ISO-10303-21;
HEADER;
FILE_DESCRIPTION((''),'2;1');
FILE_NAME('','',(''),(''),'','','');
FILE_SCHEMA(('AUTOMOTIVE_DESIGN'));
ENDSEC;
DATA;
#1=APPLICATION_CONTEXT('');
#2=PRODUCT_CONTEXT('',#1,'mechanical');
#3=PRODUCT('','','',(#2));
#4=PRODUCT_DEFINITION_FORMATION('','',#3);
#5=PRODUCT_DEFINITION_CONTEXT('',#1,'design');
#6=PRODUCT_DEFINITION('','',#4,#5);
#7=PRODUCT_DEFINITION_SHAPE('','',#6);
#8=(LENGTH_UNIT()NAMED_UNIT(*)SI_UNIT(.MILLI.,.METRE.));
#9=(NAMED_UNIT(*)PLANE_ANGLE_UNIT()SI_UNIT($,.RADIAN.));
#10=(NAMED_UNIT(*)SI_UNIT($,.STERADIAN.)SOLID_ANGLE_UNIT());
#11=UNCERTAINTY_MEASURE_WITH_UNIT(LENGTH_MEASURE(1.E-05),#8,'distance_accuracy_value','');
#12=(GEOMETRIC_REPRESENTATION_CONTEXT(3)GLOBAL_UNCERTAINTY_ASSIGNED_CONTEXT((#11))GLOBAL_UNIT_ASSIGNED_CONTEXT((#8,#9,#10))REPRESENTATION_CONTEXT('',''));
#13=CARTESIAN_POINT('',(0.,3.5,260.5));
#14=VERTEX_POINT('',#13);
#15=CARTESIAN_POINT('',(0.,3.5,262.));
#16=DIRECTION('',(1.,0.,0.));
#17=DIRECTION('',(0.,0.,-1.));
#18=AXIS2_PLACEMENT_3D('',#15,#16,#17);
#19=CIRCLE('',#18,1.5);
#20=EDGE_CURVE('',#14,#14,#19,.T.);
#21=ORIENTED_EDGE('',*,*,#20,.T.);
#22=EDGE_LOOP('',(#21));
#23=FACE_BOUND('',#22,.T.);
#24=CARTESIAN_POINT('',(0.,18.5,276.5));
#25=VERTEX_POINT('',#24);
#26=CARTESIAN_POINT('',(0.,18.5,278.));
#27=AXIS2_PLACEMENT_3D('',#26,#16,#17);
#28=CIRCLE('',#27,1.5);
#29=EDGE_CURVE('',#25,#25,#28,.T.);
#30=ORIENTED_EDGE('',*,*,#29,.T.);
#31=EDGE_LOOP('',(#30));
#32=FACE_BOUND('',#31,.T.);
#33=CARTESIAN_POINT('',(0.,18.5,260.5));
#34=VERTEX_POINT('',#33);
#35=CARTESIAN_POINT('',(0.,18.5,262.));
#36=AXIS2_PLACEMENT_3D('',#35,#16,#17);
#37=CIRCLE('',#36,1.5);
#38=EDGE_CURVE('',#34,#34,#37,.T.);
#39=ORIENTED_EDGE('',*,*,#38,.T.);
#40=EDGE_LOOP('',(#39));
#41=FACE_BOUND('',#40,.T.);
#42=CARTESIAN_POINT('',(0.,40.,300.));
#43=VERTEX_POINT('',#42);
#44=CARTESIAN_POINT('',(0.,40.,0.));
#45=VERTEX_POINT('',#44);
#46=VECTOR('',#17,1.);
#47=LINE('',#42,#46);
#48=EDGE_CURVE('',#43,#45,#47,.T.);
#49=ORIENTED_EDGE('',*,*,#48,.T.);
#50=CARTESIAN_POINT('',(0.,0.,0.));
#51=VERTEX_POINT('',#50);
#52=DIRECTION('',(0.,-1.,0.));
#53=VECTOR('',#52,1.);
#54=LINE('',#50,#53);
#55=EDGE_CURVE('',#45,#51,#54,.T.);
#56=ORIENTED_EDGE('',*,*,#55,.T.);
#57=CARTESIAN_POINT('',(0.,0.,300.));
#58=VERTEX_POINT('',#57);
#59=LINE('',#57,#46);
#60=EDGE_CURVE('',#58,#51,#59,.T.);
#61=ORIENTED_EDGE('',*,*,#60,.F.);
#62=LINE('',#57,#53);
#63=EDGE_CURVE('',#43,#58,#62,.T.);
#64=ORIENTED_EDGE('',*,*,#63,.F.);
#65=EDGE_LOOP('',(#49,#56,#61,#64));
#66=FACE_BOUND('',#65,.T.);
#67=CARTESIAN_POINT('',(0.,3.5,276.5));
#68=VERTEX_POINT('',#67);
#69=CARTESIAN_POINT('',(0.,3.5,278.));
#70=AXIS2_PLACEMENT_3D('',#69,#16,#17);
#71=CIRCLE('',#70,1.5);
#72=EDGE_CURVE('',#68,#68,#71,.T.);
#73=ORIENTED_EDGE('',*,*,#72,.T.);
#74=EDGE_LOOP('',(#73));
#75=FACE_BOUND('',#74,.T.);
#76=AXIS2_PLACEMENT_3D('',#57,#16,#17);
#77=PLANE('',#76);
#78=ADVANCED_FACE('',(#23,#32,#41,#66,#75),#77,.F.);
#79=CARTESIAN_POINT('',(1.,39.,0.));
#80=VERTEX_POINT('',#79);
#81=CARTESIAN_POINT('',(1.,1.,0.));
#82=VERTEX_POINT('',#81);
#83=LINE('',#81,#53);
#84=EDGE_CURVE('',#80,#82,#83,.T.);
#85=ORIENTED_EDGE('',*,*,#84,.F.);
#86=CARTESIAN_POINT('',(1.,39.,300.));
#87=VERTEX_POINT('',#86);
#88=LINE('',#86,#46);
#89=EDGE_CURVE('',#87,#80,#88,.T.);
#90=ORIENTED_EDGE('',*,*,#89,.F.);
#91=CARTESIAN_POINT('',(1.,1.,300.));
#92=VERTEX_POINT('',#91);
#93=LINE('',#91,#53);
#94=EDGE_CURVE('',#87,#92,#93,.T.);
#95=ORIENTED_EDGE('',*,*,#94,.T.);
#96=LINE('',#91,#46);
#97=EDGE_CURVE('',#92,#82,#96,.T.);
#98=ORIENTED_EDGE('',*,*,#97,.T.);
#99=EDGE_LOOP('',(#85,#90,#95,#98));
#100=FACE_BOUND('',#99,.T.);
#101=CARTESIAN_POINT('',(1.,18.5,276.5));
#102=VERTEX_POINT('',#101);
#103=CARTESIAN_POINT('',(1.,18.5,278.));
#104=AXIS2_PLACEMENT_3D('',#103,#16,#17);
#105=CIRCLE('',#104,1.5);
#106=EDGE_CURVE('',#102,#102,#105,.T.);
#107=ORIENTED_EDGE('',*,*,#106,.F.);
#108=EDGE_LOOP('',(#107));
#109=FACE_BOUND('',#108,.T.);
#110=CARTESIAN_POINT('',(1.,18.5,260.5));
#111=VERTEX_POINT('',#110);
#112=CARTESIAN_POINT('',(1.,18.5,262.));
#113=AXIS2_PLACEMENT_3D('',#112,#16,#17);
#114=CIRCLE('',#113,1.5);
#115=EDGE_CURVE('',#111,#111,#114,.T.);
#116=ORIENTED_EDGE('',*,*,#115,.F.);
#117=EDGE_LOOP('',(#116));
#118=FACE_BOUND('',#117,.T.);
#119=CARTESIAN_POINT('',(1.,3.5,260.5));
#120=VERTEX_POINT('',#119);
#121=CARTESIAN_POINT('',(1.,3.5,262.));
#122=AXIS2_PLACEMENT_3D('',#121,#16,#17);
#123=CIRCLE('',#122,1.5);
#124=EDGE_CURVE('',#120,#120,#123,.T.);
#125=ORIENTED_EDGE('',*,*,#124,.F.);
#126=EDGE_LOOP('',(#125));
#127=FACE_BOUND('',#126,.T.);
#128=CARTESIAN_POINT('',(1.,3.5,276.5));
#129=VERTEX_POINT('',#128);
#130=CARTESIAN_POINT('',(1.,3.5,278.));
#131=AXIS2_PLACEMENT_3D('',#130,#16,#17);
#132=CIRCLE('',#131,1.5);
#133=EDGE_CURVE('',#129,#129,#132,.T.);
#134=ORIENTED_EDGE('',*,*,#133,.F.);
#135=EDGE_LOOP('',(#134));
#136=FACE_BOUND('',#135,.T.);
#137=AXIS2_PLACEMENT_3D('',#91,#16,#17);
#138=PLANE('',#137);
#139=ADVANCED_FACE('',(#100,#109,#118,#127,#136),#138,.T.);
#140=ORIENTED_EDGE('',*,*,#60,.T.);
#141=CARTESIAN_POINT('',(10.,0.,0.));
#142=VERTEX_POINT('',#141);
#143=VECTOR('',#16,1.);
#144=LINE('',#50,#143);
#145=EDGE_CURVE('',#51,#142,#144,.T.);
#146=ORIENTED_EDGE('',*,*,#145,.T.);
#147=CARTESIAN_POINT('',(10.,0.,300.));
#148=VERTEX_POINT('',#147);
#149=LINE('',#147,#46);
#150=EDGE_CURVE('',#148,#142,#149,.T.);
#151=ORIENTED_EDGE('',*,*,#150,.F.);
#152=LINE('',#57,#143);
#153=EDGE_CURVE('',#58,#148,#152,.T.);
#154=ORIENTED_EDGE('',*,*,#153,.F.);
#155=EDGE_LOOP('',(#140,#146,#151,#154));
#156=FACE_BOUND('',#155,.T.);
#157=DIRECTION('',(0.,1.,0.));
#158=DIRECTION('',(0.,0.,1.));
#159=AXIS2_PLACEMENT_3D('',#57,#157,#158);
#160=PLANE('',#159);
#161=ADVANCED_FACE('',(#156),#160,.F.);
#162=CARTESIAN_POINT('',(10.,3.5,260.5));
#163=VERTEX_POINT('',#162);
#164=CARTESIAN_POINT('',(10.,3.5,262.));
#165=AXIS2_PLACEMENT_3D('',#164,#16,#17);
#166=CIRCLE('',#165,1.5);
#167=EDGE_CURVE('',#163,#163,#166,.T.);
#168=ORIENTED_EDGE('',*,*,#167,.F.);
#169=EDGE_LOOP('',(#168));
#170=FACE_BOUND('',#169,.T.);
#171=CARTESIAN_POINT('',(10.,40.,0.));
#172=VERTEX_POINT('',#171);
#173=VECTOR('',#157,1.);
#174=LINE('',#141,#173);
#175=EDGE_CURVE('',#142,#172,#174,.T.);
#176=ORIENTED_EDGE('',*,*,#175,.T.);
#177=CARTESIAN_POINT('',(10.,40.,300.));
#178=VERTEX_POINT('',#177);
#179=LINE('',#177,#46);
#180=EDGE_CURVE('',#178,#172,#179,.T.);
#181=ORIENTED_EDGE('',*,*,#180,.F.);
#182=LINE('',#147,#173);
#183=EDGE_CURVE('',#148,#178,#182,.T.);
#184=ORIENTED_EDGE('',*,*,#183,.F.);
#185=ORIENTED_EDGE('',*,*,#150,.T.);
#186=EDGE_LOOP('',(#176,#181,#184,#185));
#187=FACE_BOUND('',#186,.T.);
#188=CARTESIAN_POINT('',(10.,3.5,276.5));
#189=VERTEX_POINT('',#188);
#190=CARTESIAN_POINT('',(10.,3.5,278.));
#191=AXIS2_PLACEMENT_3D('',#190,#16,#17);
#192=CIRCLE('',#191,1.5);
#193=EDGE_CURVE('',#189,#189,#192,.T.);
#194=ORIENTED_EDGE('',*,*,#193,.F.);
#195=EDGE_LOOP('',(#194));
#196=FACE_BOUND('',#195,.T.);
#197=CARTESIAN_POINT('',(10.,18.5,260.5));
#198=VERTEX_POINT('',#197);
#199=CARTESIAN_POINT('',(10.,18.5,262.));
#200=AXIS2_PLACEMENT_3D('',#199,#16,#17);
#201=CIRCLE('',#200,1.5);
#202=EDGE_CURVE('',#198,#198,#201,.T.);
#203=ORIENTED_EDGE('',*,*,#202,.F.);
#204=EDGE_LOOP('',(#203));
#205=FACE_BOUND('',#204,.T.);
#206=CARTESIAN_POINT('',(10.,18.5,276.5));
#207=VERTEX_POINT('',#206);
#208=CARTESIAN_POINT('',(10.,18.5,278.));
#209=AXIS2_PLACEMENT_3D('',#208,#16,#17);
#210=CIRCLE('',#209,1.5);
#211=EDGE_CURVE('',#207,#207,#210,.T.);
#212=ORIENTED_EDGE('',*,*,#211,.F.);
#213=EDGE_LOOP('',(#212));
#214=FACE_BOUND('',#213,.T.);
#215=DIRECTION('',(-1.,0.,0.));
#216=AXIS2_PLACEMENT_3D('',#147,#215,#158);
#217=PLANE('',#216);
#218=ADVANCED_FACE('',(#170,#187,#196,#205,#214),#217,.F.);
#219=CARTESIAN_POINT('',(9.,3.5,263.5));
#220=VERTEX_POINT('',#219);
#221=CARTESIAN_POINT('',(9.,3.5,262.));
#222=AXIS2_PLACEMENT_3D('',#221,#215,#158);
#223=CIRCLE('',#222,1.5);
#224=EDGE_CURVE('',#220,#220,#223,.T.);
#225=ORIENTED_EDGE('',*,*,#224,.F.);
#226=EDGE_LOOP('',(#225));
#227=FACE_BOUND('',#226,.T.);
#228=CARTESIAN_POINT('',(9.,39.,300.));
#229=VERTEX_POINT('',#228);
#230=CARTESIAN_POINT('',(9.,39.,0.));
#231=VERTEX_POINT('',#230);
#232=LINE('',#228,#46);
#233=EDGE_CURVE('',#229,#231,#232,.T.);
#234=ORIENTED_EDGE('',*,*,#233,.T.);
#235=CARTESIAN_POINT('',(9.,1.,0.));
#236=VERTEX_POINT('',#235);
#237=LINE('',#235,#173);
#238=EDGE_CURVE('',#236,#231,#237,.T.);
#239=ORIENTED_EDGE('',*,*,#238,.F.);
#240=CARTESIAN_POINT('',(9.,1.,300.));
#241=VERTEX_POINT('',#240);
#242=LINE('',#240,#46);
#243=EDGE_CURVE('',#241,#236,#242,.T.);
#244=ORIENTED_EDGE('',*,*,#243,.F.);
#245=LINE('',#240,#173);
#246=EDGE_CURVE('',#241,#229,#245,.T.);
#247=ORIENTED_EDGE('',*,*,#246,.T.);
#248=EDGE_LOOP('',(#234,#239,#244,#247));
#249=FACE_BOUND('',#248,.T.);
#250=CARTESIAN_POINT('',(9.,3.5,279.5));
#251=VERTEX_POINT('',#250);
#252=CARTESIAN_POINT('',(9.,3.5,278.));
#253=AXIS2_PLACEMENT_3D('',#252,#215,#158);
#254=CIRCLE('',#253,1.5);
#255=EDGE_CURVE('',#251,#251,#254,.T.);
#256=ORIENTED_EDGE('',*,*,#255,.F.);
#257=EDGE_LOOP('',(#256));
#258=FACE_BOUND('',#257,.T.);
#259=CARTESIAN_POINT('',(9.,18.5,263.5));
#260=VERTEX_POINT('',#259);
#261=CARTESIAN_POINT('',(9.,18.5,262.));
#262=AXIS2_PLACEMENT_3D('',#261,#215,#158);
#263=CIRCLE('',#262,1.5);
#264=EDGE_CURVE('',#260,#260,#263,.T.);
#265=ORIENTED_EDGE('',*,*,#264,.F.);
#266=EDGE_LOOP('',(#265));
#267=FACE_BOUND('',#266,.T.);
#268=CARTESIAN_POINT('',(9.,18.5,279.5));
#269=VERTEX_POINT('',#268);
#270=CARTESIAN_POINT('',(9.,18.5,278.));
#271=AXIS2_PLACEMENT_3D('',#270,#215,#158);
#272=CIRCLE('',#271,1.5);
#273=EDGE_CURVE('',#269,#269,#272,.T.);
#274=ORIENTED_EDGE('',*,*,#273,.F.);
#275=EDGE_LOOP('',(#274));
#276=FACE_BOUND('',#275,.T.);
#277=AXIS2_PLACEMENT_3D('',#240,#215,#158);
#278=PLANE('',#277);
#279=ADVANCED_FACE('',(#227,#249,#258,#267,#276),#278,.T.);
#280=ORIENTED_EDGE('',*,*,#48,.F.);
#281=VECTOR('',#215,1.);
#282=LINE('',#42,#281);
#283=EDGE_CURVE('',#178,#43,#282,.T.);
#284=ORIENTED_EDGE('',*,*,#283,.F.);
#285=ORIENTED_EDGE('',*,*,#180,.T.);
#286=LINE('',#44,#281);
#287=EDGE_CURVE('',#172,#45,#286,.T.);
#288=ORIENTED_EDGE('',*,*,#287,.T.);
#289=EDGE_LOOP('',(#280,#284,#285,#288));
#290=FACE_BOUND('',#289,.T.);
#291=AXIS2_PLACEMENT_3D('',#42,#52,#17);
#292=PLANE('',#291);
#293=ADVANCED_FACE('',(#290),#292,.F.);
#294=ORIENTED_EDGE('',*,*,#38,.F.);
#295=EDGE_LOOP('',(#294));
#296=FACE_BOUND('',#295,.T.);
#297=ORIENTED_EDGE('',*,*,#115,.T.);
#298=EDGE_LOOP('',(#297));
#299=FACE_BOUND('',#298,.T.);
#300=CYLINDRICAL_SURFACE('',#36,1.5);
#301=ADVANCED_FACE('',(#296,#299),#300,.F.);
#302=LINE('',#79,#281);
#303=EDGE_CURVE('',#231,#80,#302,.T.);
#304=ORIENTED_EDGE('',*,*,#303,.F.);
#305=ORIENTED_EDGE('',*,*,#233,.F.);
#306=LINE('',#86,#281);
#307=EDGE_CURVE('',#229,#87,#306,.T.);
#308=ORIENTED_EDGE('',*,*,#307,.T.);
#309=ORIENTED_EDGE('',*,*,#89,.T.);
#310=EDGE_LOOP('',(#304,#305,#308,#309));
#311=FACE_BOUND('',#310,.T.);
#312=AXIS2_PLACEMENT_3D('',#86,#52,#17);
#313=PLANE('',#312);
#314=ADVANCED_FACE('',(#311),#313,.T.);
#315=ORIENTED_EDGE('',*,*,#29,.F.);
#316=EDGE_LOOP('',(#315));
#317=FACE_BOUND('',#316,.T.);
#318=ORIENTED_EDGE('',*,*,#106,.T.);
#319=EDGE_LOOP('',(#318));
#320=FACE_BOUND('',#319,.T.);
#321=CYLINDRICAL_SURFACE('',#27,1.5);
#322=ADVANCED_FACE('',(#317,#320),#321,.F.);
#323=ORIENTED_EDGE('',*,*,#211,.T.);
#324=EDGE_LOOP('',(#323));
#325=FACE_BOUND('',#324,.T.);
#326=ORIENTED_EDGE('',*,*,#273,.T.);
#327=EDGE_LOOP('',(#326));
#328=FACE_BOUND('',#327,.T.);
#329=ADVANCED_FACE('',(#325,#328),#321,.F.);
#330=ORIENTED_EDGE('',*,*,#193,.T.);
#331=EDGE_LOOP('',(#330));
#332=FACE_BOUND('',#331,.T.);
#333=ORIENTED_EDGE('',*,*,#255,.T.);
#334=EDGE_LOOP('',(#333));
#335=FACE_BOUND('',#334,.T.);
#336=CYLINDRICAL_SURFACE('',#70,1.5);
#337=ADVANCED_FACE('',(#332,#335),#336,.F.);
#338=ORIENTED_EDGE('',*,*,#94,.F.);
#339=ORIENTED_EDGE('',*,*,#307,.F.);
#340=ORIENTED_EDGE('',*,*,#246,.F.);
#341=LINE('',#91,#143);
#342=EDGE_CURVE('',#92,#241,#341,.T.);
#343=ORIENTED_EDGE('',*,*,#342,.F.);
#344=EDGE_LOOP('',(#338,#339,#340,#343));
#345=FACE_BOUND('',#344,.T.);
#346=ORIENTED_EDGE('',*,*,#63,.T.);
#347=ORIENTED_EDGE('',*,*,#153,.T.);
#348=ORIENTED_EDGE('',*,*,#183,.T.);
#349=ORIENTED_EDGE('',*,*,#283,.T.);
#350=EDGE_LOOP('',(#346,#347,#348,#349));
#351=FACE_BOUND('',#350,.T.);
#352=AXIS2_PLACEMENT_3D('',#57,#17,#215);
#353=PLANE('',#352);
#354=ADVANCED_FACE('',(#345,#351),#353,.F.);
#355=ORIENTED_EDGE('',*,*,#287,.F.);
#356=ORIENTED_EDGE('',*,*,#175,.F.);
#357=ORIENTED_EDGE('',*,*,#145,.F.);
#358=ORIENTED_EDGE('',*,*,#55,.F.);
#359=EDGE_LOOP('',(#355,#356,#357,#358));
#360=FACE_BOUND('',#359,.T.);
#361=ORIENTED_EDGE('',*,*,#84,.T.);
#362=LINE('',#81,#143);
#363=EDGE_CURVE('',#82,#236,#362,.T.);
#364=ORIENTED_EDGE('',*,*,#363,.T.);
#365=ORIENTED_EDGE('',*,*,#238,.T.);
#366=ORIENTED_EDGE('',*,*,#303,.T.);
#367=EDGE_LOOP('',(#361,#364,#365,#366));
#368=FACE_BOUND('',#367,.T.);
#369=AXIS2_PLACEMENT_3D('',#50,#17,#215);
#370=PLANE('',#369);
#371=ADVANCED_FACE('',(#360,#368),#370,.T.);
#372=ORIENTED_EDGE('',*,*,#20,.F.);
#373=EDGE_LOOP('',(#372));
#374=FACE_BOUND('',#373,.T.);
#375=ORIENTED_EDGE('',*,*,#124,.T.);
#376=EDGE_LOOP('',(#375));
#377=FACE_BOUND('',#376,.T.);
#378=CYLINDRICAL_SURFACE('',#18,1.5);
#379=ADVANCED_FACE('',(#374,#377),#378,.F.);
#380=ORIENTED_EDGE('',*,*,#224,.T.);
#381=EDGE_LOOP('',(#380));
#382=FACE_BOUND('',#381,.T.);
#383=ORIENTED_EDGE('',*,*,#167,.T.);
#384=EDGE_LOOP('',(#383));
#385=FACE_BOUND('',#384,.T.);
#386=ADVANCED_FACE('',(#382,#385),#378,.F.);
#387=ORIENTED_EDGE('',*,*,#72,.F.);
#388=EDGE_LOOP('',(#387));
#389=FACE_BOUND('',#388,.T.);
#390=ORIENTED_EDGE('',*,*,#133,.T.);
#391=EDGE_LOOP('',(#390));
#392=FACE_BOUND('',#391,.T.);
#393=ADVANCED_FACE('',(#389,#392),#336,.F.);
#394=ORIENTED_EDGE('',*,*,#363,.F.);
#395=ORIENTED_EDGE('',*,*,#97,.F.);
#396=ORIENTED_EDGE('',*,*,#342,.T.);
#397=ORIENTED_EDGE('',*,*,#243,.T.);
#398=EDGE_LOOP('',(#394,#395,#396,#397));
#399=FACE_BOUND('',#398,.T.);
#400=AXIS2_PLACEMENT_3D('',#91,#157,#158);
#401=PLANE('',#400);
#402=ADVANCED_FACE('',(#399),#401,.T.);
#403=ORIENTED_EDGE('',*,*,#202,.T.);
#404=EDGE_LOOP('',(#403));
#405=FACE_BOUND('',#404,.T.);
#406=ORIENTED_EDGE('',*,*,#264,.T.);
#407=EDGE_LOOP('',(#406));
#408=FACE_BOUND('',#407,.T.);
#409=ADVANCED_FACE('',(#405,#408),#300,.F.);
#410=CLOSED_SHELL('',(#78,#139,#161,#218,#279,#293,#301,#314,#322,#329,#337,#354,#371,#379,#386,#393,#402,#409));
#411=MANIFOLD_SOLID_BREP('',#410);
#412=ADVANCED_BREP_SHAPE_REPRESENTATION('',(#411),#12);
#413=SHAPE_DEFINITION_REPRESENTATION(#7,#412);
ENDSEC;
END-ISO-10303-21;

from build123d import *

# Parameters (mm, degrees)
SKETCH_1_W          = 10
SKETCH_1_H          = 40
SKETCH_1_W_2        = 8
SKETCH_1_H_2        = 38
EXTRUDE_1_DEPTH     = 300
SKETCH_3_R          = 1.5
CUT_EXTRUDE_2_DEPTH = 10


with BuildPart() as part:
    # 草图1 → 凸台-拉伸1 (new body)
    with BuildSketch(Plane.XY):
        with Locations((5, 20)):
            Rectangle(SKETCH_1_W, SKETCH_1_H)
        with Locations((5, 20)):
            Rectangle(SKETCH_1_W_2, SKETCH_1_H_2, mode=Mode.SUBTRACT)
    extrude(amount=EXTRUDE_1_DEPTH)

    # 草图3 → 切除-拉伸2 (cut)
    with BuildSketch(Plane(origin=(10, 0, 0), x_dir=(0, 0, -1), z_dir=(1, 0, 0))):
        with Locations((-278, 18.5)):
            Circle(SKETCH_3_R)
        with Locations((-262, 18.5)):
            Circle(SKETCH_3_R)
        with Locations((-262, 3.5)):
            Circle(SKETCH_3_R)
        with Locations((-278, 3.5)):
            Circle(SKETCH_3_R)
    extrude(amount=-CUT_EXTRUDE_2_DEPTH, mode=Mode.SUBTRACT)


solid = part.part
